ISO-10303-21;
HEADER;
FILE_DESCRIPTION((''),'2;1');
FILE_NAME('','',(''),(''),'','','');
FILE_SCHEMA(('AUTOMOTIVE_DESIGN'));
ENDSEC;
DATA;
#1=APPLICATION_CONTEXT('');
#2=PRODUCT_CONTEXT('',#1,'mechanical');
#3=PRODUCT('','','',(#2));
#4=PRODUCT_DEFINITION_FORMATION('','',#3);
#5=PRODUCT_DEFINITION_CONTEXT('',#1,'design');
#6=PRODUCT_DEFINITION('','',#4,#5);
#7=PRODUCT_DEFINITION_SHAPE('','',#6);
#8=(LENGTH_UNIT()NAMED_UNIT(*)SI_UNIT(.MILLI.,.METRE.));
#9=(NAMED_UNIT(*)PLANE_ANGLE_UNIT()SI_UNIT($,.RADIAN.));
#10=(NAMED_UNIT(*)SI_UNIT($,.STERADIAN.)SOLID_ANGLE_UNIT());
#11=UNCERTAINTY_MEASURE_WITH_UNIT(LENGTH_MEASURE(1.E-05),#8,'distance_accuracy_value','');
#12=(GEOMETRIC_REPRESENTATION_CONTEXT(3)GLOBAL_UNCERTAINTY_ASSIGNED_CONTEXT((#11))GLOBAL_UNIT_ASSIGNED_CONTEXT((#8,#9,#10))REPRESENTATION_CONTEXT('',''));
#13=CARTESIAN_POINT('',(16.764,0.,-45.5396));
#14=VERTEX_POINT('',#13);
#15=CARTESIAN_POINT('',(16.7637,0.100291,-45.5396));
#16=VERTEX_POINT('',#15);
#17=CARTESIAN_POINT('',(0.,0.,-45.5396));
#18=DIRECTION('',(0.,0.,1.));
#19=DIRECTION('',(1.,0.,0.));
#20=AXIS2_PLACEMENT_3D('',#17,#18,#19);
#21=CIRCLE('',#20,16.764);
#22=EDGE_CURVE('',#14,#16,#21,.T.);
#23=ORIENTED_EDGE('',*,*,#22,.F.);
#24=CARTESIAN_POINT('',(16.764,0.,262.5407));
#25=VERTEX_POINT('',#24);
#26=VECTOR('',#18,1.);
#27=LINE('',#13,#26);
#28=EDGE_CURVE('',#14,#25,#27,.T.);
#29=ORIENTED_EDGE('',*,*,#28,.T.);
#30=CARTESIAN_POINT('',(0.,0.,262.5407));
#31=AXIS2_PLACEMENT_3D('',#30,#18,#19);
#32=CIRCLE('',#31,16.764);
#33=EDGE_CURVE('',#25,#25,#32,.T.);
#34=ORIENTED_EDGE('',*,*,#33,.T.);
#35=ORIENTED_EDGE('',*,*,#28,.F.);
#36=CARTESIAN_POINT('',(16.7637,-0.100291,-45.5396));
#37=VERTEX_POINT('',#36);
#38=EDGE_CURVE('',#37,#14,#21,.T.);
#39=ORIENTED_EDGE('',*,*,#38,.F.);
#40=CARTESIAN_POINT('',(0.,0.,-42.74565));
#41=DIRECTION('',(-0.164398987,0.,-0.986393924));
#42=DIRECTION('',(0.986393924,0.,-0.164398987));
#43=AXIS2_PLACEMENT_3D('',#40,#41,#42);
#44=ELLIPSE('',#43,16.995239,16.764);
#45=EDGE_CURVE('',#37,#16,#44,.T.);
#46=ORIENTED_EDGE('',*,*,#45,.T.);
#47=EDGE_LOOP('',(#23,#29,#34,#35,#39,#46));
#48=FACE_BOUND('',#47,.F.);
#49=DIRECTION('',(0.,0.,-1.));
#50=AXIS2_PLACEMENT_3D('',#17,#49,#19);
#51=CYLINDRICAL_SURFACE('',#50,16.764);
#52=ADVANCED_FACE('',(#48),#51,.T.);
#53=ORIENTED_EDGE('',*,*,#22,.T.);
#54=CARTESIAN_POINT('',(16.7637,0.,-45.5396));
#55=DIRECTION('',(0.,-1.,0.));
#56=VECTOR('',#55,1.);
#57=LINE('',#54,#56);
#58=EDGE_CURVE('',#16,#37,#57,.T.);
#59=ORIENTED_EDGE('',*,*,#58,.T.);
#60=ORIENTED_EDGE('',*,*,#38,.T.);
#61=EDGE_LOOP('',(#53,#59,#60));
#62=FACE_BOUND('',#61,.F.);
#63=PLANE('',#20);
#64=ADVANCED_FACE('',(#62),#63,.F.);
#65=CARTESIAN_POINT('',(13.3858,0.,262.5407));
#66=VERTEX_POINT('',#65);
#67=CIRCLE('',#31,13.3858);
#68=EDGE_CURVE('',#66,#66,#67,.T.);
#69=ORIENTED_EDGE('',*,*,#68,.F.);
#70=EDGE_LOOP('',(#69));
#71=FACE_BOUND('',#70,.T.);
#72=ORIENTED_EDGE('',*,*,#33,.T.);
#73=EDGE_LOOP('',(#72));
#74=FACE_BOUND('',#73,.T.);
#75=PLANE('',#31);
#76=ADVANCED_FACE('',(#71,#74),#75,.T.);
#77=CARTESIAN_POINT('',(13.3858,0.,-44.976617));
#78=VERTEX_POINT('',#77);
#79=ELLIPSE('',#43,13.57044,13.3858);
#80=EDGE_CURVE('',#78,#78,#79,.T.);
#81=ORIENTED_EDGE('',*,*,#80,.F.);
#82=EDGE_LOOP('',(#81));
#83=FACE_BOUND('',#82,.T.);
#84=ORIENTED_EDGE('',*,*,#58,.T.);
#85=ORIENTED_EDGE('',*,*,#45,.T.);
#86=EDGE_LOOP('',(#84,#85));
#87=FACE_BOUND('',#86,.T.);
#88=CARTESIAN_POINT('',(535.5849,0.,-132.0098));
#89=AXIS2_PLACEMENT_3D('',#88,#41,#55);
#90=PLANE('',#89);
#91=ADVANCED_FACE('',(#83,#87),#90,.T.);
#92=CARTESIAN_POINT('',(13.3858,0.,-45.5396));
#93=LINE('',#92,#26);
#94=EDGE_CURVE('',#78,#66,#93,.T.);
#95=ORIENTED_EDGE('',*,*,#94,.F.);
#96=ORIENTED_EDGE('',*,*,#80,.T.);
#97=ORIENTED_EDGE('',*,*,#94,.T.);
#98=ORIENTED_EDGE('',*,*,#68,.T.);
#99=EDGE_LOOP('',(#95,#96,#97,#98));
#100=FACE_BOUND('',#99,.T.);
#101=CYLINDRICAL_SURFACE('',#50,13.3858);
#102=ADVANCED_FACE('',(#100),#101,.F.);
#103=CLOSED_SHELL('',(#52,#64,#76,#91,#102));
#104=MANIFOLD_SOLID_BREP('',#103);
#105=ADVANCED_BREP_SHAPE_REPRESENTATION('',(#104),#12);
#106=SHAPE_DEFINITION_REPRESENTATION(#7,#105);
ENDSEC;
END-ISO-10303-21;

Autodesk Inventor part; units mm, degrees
ref_plane "Start plane" through (0, 0, -45.5396) normal (0, 0, 1) x (1, 0, 0)
ref_plane "End plane" through (0, 0, 262.5407) normal (0, 0, 1) x (1, 0, 0)
sketch "Sketch" plane through (0, 0, 0) normal (0, 0, 1) x (1, 0, 0)
  circle A0 centre (0, 0) radius 13.3858
  circle A1 centre (0, 0) radius 16.764
  dimension "d0" = 33.528
  dimension "d1" = 3.3782
extrude "Body" add sketch "Sketch" along normal up to surface (308.0803 mm away) from surface at -45.5396
sketch "Sketch3" plane through (0, 0, 0) normal (0, 0, 1) x (1, 0, 0)
  line L0 (0, 0) -> (10, 0)
ref_plane "Work Plane3" through (0, 0, 0) normal (0, -1, 0) x (1, 0, 0)
ref_plane "Work Plane4" through (535.5849, 0, -132.0098) normal (-0.1644, 0, -0.9864) x (-0.9864, 0, 0.1644)
split "Split1" plane through (535.5849, 0, -132.0098) removes the side toward (-0.1644, 0, -0.9864)
sketch "Sketch4" plane through (0, 0, 0) normal (0, -1, 0) x (1, 0, 0)
  line L0 (-2, -45.5396) -> (12, -45.5396) projected
  line L1 (-2, 262.5407) -> (12, 262.5407) projected
  dimension "d7" = 308.0803
equation "\"d0\" = G_H"
equation "\"d1\" = G_T"
equation "\"d2\" = G_L"
equation "\"G_H\" = 33.528"
equation "\"G_T\" = 3.3782"
equation "\"G_L\" = d7"
equation "\"G_OFFSET_START\" = 45.5396"
equation "\"G_OFFSET_END\" = 0"
equation "\"d4\" = -G_OFFSET_START"
equation "\"d5\" = G_OFFSET_END + B_L"
equation "\"B_L\" = 262.54068"
properties part number "ANSI - 1 x 0.133 - 12.129" material "Steel, Mild"
